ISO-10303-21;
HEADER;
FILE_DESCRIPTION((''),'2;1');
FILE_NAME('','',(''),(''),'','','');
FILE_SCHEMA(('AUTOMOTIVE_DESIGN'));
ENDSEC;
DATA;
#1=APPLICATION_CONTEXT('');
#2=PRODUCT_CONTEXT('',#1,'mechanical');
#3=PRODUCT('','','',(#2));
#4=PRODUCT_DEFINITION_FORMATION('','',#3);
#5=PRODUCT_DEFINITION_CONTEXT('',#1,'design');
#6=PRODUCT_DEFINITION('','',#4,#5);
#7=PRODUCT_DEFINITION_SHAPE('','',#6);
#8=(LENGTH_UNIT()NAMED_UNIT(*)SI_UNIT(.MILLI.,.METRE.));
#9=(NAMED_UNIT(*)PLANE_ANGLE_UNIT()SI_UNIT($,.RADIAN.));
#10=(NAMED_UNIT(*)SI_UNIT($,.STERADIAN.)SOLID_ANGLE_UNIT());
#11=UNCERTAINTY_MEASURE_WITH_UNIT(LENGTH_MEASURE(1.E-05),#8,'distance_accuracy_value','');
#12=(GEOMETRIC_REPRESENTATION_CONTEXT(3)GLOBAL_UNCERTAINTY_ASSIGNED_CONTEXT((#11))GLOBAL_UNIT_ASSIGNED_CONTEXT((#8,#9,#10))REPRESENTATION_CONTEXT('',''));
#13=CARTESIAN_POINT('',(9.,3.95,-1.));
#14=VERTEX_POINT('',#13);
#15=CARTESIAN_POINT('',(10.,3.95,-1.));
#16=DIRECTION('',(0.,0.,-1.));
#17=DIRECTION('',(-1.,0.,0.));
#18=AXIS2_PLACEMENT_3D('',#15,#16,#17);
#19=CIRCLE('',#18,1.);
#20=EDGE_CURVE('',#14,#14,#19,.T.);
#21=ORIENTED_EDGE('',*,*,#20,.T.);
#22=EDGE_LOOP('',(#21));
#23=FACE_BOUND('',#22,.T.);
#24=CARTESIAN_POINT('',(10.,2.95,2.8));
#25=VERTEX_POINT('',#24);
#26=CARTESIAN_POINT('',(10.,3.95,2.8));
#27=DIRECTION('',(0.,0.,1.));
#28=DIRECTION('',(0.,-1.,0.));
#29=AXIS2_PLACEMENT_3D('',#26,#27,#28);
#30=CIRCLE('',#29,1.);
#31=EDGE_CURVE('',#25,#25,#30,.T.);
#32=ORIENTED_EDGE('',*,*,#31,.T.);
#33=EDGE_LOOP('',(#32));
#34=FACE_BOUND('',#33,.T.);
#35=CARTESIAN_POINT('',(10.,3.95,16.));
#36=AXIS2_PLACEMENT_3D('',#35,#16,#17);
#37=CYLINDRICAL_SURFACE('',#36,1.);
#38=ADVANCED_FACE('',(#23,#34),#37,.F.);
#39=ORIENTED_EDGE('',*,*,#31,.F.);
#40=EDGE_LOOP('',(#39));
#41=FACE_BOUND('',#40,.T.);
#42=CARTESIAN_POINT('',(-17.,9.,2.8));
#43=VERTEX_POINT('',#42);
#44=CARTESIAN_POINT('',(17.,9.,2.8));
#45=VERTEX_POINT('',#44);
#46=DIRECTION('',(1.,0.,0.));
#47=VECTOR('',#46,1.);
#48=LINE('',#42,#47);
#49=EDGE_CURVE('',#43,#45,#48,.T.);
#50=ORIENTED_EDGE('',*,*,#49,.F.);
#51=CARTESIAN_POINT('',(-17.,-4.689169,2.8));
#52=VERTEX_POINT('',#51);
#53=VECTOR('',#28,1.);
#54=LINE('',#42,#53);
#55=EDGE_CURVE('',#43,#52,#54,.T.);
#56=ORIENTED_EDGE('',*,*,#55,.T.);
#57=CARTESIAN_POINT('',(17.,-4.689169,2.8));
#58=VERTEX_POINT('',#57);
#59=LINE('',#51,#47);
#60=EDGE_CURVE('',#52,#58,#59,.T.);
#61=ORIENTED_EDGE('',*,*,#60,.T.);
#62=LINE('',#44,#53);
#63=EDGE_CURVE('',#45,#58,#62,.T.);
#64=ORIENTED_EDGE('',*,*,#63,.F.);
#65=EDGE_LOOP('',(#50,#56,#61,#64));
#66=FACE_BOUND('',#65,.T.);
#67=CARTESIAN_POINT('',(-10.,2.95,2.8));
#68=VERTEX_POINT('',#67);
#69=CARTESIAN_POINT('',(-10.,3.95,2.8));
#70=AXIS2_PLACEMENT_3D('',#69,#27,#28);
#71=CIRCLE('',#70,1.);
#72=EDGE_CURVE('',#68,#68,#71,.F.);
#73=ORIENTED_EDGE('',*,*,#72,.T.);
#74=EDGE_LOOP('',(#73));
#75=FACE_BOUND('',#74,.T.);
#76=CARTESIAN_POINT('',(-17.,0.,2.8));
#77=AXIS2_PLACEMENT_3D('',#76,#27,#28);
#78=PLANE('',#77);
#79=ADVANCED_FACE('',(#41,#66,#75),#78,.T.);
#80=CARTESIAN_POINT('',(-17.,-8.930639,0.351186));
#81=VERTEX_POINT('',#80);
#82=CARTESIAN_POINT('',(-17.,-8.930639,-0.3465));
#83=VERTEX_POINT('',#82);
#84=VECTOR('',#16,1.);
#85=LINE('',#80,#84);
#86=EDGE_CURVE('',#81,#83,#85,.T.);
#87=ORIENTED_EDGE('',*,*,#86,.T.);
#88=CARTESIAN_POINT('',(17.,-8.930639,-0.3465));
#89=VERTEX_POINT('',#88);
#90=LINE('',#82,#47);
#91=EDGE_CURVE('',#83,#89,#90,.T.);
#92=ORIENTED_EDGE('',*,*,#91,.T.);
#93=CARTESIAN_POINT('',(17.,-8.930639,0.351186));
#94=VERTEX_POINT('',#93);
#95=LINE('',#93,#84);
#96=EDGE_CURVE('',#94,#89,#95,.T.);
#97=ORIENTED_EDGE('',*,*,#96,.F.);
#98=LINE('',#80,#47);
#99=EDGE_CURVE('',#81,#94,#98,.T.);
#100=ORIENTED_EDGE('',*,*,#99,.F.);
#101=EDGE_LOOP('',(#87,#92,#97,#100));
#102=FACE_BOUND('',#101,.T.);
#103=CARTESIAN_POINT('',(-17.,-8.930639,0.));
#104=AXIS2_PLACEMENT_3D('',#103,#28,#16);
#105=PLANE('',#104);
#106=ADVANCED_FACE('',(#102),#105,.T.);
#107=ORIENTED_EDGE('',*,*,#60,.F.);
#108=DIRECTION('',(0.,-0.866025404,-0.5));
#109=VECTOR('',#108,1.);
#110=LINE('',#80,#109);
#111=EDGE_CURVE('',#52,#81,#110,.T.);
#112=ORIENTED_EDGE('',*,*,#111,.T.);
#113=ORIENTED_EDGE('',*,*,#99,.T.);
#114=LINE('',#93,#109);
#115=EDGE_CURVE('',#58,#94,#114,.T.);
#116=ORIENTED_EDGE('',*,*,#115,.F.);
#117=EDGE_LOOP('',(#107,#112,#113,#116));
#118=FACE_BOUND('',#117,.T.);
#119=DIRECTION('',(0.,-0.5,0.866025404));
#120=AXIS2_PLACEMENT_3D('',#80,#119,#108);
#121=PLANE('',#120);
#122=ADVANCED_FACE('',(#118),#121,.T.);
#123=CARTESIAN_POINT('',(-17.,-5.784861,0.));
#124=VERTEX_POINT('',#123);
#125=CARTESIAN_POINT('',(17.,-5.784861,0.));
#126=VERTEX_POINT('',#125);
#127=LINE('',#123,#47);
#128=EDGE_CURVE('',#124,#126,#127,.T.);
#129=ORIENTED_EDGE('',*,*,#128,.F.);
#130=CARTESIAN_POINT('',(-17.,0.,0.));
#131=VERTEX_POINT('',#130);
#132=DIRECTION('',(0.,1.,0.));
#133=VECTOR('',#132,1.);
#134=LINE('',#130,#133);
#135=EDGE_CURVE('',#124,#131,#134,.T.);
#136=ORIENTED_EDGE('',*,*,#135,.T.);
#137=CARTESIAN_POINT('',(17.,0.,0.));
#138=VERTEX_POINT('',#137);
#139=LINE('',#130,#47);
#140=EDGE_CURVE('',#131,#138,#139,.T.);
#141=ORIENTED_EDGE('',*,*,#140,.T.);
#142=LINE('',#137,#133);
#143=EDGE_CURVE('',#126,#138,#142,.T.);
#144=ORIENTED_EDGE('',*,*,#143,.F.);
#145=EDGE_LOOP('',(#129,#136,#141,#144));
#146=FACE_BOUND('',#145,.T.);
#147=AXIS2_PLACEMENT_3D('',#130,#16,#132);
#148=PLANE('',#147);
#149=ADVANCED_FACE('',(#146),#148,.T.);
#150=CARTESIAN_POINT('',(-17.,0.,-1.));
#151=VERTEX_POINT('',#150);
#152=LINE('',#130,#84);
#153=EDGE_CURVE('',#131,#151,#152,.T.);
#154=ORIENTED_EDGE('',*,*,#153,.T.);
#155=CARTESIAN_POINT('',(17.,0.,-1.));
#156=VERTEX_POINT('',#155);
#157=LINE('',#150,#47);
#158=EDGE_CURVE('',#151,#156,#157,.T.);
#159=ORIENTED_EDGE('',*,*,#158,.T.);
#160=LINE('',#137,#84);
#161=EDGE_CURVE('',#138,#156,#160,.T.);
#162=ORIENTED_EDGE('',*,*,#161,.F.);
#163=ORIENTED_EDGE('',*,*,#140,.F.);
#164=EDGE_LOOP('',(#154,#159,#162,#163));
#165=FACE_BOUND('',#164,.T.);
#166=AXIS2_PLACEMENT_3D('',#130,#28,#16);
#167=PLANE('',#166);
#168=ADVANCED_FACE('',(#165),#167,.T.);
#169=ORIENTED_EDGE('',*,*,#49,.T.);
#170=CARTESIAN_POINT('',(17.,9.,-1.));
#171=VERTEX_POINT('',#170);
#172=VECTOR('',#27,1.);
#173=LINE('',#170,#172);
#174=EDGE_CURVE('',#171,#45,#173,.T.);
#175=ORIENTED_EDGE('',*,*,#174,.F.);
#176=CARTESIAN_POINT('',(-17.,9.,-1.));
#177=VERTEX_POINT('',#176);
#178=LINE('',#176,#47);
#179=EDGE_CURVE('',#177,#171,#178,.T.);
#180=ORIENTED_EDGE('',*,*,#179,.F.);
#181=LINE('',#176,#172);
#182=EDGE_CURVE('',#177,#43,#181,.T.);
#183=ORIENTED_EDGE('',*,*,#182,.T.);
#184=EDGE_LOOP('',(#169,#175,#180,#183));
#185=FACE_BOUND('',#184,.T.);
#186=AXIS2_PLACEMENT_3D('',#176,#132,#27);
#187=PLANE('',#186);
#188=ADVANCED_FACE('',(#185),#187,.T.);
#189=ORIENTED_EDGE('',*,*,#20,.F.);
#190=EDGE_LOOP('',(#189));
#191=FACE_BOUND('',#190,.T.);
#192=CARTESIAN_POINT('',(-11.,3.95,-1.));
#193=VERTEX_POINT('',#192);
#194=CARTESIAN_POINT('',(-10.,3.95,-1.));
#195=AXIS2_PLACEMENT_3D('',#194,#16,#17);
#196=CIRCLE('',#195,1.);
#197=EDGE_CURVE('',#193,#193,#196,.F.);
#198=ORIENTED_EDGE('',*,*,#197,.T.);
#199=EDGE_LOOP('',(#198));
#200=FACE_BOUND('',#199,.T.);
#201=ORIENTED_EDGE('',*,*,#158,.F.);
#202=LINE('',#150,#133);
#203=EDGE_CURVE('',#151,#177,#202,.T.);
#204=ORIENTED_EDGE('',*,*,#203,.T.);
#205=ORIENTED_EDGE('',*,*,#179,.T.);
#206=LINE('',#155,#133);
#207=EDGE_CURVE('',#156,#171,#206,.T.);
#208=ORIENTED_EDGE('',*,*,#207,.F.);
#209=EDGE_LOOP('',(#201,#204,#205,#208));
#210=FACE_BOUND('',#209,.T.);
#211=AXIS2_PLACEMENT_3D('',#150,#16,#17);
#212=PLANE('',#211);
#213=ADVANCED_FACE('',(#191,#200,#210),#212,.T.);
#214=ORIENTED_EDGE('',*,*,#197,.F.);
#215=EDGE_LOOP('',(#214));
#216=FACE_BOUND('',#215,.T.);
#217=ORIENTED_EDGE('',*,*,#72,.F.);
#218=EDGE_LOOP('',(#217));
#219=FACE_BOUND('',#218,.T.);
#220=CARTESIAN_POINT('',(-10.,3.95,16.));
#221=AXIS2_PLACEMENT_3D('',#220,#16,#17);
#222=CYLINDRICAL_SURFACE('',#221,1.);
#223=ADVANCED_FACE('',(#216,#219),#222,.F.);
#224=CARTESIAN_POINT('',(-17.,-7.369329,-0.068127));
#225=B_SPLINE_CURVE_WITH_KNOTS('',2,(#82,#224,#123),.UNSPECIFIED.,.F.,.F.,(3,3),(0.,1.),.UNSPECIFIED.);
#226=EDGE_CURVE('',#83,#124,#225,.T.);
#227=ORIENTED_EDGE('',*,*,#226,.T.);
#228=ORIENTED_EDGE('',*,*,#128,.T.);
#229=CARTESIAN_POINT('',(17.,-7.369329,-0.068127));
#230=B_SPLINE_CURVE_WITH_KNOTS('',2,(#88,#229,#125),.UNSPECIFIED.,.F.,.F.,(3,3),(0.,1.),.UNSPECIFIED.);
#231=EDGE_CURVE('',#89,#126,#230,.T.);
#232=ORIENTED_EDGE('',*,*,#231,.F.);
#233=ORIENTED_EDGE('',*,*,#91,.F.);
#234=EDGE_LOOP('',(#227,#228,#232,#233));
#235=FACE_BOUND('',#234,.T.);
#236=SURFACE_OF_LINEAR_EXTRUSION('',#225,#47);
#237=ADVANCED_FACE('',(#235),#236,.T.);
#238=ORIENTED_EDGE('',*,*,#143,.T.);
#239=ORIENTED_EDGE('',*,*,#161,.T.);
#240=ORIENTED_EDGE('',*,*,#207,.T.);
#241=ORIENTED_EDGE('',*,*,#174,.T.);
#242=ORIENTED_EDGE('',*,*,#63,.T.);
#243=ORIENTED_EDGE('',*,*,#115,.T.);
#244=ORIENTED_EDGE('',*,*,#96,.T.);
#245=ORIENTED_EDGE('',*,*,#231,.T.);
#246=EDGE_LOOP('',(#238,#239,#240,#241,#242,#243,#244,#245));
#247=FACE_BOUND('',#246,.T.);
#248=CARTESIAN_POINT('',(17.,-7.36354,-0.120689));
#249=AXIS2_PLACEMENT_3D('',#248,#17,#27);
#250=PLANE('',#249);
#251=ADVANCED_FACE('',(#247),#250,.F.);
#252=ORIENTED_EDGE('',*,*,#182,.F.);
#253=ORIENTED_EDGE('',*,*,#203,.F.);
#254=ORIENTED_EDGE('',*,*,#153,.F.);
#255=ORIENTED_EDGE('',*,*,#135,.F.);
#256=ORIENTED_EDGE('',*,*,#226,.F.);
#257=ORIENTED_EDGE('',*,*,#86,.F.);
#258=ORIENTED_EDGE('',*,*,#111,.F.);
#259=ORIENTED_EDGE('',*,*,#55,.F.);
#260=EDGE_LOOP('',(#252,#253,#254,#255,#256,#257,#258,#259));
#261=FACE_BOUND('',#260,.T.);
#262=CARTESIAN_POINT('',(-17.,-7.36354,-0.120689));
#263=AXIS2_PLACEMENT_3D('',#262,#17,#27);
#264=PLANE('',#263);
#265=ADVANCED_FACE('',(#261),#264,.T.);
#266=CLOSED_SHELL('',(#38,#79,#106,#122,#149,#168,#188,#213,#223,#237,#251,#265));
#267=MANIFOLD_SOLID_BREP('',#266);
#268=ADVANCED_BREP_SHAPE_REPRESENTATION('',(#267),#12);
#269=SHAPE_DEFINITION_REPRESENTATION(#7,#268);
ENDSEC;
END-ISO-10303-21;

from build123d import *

# Parameters (mm, degrees)
BOSS_EXTRUDE1_DEPTH      = 17
BOSS_EXTRUDE1_DEPTH_BACK = 17
SKETCH4_R                = 1
CUT_EXTRUDE1_DEPTH       = 17


with BuildPart() as part:
    # Sketch1 → Boss-Extrude1 (new, two sides: drawn at the far end of the back side and taken through both)
    with BuildSketch(Plane(origin=(0, 0, 0), x_dir=(0, 0, -1), z_dir=(1, 0, 0)).offset(-BOSS_EXTRUDE1_DEPTH_BACK)):
        with BuildLine():
            Line((0, 0), (1, 0))
            Line((1, 0), (1, 9))
            Line((1, 9), (-2.8, 9))
            Line((-2.8, 9), (-2.8, 0))
            Line((-2.8, 0), (-2.8, -4.689169104))
            Line((-2.8, -4.689169104), (-0.351186116, -8.93063917))
            Line((-0.351186116, -8.93063917), (0, -8.93063917))
            Line((0, -8.93063917), (0.3465, -8.93063917))
            add(Edge.make_bspline(
                [(0, -5.784861062), (0.068127357, -7.369329156), (0.3465, -8.93063917)],
                knots=[0, 0, 0, 1, 1, 1], degree=2))
            Line((0, -5.784861062), (0, 0))
        make_face()
    extrude(amount=BOSS_EXTRUDE1_DEPTH + BOSS_EXTRUDE1_DEPTH_BACK)

    # Sketch4 → Cut-Extrude1 (cut)
    with BuildSketch(Plane(origin=(0, 0, -1), x_dir=(-1, 0, 0), z_dir=(0, 0, -1))):
        with Locations((-10, 3.95)):
            Circle(SKETCH4_R)
        with Locations((10, 3.95)):
            Circle(SKETCH4_R)
    extrude(amount=-CUT_EXTRUDE1_DEPTH, mode=Mode.SUBTRACT)


solid = part.part
